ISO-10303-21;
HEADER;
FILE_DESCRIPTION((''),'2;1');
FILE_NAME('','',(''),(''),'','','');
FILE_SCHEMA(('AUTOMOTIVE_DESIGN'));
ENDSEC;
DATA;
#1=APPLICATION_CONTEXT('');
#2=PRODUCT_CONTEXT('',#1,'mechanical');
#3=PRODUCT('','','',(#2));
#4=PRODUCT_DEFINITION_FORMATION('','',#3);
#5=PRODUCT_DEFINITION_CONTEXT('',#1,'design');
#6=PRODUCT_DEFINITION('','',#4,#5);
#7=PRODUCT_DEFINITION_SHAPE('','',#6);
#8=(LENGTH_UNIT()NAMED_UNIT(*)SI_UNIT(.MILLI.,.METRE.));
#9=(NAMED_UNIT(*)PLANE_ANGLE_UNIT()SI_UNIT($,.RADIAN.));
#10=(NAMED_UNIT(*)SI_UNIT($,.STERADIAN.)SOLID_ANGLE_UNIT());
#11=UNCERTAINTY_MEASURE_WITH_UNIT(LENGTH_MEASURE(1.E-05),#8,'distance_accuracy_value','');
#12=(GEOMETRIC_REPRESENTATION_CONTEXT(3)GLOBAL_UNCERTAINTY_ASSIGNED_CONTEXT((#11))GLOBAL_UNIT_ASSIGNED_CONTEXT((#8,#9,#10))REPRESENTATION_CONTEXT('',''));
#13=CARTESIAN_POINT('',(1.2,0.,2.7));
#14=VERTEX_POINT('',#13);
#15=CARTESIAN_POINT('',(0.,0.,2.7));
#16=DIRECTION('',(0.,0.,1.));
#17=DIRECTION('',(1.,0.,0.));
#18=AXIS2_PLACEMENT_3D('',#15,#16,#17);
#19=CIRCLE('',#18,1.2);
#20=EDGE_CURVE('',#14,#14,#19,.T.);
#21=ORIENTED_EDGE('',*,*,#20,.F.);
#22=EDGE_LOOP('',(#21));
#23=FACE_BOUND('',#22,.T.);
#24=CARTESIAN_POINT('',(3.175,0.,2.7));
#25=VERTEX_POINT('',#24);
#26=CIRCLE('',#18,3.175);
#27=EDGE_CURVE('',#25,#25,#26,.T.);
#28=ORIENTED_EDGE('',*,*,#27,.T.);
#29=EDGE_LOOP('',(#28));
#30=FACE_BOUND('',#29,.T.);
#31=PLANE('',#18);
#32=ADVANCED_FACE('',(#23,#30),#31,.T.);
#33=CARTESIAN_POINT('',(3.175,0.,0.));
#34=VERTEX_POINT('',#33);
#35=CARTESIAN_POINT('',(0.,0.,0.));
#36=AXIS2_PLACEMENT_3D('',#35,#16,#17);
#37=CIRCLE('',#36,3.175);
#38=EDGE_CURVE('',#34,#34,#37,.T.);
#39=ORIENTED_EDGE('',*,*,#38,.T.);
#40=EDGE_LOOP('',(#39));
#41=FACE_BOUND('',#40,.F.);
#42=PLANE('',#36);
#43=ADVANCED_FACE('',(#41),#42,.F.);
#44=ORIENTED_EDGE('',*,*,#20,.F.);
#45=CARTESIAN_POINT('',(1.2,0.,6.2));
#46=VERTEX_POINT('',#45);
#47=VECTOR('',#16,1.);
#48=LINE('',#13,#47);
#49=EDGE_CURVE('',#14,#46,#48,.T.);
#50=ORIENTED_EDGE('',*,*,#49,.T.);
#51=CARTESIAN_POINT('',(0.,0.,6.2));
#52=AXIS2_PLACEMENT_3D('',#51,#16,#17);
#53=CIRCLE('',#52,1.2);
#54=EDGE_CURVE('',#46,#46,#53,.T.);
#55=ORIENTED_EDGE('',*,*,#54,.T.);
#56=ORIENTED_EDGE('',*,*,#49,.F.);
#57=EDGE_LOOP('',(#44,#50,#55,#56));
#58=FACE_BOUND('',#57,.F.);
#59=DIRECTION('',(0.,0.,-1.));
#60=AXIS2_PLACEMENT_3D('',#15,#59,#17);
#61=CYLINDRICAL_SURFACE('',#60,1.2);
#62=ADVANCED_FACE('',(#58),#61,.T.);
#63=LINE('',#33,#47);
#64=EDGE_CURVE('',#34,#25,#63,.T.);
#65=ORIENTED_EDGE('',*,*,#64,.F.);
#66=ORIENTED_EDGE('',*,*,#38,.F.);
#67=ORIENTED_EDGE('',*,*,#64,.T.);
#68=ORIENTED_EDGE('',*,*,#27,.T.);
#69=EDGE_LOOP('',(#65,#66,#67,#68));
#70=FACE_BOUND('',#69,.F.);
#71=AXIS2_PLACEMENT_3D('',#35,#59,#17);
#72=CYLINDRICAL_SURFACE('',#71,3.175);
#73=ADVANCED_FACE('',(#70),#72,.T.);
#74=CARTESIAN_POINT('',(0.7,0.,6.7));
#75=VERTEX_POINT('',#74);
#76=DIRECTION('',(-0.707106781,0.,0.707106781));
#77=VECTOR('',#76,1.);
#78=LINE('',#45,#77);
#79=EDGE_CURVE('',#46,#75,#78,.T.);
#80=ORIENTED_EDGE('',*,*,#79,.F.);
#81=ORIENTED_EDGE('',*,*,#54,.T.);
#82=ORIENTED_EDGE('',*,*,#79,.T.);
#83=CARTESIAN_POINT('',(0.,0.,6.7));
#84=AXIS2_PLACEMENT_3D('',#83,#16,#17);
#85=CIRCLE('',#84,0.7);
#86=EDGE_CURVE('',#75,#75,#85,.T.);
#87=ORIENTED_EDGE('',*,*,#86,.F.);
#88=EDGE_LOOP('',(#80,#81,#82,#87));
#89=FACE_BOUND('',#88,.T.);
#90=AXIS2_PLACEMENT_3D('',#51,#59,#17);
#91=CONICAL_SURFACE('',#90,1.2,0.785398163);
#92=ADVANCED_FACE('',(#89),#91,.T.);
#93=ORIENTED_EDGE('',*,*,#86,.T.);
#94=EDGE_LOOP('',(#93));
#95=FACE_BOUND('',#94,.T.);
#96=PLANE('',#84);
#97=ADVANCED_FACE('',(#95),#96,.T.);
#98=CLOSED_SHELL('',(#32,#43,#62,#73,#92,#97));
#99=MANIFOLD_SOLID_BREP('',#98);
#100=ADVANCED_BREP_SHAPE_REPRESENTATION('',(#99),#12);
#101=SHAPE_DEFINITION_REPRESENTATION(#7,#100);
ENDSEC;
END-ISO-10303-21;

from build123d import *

# Parameters (mm, degrees)
SKETCH_R     = 3.175
PAD_DEPTH    = 2.7
SKETCH001_R  = 1.2
PAD001_DEPTH = 4
CHAMFER_SIZE = 0.5


with BuildPart() as part:
    # Sketch → Pad (new body)
    with BuildSketch(Plane.XY):
        Circle(SKETCH_R)
    extrude(amount=PAD_DEPTH)

    # Sketch001 → Pad001 (new body)
    with BuildSketch(Plane.XY.offset(2.7)):
        Circle(SKETCH001_R)
    extrude(amount=PAD001_DEPTH)

    # Chamfer
    chamfer_edges = [part.edges().sort_by_distance(p)[0] for p in [
        (-1.2, 0, 6.7),
    ]]
    chamfer(chamfer_edges, length=CHAMFER_SIZE)


solid = part.part
